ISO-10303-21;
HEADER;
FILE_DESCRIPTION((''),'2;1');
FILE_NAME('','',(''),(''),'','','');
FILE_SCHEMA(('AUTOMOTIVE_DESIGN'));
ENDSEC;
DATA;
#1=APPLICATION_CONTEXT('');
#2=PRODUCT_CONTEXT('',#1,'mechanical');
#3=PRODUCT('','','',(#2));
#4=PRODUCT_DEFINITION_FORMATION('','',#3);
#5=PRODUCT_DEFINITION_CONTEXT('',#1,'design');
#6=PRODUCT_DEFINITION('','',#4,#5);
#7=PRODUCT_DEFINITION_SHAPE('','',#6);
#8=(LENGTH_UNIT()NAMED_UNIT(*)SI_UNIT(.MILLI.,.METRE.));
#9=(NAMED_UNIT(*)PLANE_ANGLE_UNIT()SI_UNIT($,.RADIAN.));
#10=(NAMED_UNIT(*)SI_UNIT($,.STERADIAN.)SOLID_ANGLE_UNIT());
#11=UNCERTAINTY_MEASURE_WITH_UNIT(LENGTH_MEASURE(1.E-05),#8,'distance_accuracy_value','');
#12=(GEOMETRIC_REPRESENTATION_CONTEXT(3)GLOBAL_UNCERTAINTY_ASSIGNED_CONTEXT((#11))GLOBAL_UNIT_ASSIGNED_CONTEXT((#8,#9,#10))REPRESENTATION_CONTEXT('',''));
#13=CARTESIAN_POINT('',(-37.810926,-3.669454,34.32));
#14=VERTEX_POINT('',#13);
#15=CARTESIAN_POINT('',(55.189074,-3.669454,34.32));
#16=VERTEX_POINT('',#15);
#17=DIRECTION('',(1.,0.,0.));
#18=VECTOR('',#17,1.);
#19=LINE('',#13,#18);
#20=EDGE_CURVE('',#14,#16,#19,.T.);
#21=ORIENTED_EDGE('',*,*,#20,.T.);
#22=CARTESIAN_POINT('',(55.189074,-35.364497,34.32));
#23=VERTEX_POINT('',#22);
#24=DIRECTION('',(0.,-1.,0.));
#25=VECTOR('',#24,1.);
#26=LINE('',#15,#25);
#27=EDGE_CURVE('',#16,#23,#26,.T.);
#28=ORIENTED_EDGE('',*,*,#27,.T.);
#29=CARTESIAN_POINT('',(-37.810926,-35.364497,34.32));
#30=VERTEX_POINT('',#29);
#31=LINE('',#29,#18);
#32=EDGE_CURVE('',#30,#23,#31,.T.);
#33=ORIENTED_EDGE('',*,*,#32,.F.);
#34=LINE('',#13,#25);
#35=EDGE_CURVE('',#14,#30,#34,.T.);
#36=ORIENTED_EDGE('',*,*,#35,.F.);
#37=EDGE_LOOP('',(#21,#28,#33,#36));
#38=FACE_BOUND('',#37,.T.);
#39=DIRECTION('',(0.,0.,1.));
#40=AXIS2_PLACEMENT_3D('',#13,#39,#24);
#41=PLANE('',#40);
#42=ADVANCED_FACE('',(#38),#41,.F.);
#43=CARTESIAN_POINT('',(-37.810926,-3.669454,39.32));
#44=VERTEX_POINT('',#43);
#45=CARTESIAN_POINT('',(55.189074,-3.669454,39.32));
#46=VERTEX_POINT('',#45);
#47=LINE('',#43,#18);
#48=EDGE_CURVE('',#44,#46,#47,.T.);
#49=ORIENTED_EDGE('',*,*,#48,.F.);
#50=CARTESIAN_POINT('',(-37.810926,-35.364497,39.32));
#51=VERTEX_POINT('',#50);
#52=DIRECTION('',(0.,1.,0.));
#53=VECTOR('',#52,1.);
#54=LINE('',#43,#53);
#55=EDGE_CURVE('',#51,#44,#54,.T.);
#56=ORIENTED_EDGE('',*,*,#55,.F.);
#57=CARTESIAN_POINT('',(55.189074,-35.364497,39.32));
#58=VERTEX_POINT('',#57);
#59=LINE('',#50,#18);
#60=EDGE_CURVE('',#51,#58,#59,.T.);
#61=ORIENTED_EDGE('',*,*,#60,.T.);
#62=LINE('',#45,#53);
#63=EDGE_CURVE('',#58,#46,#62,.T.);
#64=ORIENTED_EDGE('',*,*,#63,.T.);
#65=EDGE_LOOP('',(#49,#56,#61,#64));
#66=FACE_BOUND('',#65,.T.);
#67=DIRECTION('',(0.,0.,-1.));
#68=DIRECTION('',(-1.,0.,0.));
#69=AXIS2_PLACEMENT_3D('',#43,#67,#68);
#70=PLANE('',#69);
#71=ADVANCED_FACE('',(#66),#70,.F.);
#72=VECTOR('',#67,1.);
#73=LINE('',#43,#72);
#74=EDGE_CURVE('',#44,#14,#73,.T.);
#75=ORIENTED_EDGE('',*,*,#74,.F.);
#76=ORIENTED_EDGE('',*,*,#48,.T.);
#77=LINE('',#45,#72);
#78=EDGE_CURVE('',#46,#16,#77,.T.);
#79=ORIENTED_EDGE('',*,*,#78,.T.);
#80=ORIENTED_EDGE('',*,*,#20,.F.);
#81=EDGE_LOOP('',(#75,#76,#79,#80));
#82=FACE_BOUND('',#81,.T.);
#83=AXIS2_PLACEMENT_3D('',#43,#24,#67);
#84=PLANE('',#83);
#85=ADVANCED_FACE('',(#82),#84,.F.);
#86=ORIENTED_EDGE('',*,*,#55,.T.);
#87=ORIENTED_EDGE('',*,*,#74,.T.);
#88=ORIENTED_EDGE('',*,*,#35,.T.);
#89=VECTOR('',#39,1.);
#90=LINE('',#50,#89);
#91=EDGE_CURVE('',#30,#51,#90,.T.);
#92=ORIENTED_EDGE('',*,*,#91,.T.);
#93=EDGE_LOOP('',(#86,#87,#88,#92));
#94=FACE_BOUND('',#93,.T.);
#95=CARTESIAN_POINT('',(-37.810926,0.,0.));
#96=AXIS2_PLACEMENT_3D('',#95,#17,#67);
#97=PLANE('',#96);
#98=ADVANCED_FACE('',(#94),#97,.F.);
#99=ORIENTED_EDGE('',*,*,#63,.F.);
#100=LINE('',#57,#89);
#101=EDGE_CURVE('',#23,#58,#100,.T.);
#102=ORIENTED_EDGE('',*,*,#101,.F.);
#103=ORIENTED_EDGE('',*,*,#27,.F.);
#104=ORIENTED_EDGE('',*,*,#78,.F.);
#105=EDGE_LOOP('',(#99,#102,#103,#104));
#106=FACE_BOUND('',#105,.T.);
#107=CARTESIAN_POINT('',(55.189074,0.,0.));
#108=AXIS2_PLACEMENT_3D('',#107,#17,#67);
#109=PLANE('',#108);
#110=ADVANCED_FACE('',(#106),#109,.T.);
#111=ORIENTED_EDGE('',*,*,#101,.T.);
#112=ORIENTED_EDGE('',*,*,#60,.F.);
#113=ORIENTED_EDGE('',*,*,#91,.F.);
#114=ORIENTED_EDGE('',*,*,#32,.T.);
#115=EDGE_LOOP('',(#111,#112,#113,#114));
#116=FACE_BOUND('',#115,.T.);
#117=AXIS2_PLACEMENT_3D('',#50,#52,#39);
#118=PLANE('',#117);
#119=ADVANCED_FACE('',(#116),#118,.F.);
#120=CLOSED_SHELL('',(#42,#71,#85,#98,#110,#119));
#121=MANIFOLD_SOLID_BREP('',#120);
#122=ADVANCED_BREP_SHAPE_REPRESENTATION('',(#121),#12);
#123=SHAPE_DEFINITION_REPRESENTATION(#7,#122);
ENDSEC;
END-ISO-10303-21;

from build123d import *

# Parameters (mm, degrees)
ESBO_O56_W                = 5
ESBO_O56_H                = 31.69504285
RESSALTO_EXTRUS_O13_DEPTH = 93


with BuildPart() as part:
    # Esboço56 → Ressalto-extrusão13 (new body)
    with BuildSketch(Plane.ZY.offset(-55.189074272)):
        with Locations((36.82, -19.516975616)):
            Rectangle(ESBO_O56_W, ESBO_O56_H)
    extrude(amount=RESSALTO_EXTRUS_O13_DEPTH)


solid = part.part
